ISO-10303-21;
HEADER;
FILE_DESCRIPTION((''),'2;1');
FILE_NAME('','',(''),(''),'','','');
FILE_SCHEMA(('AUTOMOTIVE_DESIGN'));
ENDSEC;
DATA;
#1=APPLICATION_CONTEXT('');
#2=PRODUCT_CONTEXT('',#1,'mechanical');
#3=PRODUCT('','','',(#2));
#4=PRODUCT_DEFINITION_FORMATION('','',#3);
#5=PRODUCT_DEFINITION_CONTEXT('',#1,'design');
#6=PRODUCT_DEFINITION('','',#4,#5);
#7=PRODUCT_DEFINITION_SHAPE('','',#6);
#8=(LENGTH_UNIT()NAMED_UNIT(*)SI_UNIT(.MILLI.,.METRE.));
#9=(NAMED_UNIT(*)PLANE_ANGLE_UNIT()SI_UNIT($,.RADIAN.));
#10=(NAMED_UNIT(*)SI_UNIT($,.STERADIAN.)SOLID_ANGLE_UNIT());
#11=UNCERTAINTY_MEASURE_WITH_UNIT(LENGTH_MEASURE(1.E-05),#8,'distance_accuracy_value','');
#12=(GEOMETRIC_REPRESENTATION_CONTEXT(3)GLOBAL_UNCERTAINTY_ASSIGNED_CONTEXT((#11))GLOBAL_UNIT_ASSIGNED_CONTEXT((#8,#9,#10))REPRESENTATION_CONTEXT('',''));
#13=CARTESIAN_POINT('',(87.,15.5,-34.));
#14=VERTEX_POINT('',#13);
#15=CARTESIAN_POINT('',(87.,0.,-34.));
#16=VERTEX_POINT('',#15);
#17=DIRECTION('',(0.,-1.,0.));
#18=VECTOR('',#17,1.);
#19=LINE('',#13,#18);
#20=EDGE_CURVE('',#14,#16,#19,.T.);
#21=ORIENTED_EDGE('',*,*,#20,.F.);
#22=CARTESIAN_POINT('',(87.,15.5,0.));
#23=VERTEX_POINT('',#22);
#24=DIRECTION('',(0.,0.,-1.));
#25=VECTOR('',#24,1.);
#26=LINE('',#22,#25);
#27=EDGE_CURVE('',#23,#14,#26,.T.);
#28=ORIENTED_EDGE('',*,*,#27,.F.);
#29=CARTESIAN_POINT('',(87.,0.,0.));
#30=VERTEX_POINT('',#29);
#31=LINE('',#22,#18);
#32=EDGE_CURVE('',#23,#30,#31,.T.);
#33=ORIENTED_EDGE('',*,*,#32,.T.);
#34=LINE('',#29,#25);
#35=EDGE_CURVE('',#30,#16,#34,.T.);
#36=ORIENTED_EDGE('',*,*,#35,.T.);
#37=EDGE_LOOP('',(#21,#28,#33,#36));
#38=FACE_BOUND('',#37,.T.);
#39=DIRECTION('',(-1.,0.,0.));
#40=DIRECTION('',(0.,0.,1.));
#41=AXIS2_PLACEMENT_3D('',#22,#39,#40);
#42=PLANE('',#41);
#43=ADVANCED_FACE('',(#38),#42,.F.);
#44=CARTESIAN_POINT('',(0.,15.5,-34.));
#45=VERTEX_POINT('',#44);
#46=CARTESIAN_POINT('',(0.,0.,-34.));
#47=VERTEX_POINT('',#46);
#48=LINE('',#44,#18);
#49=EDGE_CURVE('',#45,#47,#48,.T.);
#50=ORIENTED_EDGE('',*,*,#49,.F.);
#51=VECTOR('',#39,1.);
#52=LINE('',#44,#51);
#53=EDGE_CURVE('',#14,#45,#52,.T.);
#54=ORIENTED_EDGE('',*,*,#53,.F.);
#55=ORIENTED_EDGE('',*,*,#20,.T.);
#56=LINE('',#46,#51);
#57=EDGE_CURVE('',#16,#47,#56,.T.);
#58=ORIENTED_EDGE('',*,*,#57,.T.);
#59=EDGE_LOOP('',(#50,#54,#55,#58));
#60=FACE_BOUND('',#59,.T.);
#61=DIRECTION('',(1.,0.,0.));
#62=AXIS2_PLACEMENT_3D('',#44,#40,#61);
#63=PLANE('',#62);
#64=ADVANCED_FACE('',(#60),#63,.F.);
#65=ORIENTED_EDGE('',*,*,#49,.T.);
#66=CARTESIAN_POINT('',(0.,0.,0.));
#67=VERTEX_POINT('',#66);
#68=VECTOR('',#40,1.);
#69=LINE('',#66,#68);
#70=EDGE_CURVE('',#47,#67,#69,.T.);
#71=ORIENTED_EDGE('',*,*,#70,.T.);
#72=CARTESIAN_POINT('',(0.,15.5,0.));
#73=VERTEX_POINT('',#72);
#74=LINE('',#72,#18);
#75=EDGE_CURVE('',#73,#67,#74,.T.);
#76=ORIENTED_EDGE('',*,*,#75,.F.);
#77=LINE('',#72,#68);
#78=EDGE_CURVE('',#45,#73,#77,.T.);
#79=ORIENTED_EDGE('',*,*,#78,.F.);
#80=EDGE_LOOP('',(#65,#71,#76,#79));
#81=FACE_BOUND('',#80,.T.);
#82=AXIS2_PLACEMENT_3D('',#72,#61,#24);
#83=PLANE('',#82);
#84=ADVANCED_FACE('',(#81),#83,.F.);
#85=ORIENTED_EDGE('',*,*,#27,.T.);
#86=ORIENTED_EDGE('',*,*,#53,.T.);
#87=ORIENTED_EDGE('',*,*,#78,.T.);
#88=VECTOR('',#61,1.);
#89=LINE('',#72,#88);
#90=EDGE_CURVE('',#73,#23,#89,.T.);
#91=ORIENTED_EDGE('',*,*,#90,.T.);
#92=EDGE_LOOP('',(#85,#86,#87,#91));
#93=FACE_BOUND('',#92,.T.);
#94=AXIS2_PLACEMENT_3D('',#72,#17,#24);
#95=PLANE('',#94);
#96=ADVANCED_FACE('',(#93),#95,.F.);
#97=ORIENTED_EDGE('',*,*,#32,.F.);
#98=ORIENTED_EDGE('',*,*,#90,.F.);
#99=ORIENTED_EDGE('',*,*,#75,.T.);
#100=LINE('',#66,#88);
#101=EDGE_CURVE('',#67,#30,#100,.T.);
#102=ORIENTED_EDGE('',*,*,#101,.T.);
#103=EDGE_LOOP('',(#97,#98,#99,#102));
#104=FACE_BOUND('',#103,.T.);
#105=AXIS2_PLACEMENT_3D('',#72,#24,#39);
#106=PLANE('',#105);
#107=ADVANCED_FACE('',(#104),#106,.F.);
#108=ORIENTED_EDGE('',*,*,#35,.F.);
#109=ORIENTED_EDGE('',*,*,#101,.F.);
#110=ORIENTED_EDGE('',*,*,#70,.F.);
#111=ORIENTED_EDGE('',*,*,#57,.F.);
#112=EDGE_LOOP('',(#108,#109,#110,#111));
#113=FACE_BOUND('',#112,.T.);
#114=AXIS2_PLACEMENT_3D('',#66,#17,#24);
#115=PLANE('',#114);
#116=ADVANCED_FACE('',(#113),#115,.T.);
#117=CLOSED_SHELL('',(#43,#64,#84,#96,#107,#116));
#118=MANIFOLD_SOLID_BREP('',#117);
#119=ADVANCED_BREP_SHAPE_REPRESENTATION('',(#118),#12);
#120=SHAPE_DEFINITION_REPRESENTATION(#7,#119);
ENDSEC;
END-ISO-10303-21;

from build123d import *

# Parameters (mm, degrees)
SKETCH_1_W      = 87
SKETCH_1_H      = 34
EXTRUDE_1_DEPTH = 15.5


with BuildPart() as part:
    # ｽｹｯﾁ1 → ﾎﾞｽ - 押し出し1 (new body)
    with BuildSketch(Plane(origin=(0, 0, 0), x_dir=(1, 0, 0), z_dir=(0, 1, 0))):
        with Locations((43.5, 17)):
            Rectangle(SKETCH_1_W, SKETCH_1_H)
    extrude(amount=EXTRUDE_1_DEPTH)


solid = part.part
